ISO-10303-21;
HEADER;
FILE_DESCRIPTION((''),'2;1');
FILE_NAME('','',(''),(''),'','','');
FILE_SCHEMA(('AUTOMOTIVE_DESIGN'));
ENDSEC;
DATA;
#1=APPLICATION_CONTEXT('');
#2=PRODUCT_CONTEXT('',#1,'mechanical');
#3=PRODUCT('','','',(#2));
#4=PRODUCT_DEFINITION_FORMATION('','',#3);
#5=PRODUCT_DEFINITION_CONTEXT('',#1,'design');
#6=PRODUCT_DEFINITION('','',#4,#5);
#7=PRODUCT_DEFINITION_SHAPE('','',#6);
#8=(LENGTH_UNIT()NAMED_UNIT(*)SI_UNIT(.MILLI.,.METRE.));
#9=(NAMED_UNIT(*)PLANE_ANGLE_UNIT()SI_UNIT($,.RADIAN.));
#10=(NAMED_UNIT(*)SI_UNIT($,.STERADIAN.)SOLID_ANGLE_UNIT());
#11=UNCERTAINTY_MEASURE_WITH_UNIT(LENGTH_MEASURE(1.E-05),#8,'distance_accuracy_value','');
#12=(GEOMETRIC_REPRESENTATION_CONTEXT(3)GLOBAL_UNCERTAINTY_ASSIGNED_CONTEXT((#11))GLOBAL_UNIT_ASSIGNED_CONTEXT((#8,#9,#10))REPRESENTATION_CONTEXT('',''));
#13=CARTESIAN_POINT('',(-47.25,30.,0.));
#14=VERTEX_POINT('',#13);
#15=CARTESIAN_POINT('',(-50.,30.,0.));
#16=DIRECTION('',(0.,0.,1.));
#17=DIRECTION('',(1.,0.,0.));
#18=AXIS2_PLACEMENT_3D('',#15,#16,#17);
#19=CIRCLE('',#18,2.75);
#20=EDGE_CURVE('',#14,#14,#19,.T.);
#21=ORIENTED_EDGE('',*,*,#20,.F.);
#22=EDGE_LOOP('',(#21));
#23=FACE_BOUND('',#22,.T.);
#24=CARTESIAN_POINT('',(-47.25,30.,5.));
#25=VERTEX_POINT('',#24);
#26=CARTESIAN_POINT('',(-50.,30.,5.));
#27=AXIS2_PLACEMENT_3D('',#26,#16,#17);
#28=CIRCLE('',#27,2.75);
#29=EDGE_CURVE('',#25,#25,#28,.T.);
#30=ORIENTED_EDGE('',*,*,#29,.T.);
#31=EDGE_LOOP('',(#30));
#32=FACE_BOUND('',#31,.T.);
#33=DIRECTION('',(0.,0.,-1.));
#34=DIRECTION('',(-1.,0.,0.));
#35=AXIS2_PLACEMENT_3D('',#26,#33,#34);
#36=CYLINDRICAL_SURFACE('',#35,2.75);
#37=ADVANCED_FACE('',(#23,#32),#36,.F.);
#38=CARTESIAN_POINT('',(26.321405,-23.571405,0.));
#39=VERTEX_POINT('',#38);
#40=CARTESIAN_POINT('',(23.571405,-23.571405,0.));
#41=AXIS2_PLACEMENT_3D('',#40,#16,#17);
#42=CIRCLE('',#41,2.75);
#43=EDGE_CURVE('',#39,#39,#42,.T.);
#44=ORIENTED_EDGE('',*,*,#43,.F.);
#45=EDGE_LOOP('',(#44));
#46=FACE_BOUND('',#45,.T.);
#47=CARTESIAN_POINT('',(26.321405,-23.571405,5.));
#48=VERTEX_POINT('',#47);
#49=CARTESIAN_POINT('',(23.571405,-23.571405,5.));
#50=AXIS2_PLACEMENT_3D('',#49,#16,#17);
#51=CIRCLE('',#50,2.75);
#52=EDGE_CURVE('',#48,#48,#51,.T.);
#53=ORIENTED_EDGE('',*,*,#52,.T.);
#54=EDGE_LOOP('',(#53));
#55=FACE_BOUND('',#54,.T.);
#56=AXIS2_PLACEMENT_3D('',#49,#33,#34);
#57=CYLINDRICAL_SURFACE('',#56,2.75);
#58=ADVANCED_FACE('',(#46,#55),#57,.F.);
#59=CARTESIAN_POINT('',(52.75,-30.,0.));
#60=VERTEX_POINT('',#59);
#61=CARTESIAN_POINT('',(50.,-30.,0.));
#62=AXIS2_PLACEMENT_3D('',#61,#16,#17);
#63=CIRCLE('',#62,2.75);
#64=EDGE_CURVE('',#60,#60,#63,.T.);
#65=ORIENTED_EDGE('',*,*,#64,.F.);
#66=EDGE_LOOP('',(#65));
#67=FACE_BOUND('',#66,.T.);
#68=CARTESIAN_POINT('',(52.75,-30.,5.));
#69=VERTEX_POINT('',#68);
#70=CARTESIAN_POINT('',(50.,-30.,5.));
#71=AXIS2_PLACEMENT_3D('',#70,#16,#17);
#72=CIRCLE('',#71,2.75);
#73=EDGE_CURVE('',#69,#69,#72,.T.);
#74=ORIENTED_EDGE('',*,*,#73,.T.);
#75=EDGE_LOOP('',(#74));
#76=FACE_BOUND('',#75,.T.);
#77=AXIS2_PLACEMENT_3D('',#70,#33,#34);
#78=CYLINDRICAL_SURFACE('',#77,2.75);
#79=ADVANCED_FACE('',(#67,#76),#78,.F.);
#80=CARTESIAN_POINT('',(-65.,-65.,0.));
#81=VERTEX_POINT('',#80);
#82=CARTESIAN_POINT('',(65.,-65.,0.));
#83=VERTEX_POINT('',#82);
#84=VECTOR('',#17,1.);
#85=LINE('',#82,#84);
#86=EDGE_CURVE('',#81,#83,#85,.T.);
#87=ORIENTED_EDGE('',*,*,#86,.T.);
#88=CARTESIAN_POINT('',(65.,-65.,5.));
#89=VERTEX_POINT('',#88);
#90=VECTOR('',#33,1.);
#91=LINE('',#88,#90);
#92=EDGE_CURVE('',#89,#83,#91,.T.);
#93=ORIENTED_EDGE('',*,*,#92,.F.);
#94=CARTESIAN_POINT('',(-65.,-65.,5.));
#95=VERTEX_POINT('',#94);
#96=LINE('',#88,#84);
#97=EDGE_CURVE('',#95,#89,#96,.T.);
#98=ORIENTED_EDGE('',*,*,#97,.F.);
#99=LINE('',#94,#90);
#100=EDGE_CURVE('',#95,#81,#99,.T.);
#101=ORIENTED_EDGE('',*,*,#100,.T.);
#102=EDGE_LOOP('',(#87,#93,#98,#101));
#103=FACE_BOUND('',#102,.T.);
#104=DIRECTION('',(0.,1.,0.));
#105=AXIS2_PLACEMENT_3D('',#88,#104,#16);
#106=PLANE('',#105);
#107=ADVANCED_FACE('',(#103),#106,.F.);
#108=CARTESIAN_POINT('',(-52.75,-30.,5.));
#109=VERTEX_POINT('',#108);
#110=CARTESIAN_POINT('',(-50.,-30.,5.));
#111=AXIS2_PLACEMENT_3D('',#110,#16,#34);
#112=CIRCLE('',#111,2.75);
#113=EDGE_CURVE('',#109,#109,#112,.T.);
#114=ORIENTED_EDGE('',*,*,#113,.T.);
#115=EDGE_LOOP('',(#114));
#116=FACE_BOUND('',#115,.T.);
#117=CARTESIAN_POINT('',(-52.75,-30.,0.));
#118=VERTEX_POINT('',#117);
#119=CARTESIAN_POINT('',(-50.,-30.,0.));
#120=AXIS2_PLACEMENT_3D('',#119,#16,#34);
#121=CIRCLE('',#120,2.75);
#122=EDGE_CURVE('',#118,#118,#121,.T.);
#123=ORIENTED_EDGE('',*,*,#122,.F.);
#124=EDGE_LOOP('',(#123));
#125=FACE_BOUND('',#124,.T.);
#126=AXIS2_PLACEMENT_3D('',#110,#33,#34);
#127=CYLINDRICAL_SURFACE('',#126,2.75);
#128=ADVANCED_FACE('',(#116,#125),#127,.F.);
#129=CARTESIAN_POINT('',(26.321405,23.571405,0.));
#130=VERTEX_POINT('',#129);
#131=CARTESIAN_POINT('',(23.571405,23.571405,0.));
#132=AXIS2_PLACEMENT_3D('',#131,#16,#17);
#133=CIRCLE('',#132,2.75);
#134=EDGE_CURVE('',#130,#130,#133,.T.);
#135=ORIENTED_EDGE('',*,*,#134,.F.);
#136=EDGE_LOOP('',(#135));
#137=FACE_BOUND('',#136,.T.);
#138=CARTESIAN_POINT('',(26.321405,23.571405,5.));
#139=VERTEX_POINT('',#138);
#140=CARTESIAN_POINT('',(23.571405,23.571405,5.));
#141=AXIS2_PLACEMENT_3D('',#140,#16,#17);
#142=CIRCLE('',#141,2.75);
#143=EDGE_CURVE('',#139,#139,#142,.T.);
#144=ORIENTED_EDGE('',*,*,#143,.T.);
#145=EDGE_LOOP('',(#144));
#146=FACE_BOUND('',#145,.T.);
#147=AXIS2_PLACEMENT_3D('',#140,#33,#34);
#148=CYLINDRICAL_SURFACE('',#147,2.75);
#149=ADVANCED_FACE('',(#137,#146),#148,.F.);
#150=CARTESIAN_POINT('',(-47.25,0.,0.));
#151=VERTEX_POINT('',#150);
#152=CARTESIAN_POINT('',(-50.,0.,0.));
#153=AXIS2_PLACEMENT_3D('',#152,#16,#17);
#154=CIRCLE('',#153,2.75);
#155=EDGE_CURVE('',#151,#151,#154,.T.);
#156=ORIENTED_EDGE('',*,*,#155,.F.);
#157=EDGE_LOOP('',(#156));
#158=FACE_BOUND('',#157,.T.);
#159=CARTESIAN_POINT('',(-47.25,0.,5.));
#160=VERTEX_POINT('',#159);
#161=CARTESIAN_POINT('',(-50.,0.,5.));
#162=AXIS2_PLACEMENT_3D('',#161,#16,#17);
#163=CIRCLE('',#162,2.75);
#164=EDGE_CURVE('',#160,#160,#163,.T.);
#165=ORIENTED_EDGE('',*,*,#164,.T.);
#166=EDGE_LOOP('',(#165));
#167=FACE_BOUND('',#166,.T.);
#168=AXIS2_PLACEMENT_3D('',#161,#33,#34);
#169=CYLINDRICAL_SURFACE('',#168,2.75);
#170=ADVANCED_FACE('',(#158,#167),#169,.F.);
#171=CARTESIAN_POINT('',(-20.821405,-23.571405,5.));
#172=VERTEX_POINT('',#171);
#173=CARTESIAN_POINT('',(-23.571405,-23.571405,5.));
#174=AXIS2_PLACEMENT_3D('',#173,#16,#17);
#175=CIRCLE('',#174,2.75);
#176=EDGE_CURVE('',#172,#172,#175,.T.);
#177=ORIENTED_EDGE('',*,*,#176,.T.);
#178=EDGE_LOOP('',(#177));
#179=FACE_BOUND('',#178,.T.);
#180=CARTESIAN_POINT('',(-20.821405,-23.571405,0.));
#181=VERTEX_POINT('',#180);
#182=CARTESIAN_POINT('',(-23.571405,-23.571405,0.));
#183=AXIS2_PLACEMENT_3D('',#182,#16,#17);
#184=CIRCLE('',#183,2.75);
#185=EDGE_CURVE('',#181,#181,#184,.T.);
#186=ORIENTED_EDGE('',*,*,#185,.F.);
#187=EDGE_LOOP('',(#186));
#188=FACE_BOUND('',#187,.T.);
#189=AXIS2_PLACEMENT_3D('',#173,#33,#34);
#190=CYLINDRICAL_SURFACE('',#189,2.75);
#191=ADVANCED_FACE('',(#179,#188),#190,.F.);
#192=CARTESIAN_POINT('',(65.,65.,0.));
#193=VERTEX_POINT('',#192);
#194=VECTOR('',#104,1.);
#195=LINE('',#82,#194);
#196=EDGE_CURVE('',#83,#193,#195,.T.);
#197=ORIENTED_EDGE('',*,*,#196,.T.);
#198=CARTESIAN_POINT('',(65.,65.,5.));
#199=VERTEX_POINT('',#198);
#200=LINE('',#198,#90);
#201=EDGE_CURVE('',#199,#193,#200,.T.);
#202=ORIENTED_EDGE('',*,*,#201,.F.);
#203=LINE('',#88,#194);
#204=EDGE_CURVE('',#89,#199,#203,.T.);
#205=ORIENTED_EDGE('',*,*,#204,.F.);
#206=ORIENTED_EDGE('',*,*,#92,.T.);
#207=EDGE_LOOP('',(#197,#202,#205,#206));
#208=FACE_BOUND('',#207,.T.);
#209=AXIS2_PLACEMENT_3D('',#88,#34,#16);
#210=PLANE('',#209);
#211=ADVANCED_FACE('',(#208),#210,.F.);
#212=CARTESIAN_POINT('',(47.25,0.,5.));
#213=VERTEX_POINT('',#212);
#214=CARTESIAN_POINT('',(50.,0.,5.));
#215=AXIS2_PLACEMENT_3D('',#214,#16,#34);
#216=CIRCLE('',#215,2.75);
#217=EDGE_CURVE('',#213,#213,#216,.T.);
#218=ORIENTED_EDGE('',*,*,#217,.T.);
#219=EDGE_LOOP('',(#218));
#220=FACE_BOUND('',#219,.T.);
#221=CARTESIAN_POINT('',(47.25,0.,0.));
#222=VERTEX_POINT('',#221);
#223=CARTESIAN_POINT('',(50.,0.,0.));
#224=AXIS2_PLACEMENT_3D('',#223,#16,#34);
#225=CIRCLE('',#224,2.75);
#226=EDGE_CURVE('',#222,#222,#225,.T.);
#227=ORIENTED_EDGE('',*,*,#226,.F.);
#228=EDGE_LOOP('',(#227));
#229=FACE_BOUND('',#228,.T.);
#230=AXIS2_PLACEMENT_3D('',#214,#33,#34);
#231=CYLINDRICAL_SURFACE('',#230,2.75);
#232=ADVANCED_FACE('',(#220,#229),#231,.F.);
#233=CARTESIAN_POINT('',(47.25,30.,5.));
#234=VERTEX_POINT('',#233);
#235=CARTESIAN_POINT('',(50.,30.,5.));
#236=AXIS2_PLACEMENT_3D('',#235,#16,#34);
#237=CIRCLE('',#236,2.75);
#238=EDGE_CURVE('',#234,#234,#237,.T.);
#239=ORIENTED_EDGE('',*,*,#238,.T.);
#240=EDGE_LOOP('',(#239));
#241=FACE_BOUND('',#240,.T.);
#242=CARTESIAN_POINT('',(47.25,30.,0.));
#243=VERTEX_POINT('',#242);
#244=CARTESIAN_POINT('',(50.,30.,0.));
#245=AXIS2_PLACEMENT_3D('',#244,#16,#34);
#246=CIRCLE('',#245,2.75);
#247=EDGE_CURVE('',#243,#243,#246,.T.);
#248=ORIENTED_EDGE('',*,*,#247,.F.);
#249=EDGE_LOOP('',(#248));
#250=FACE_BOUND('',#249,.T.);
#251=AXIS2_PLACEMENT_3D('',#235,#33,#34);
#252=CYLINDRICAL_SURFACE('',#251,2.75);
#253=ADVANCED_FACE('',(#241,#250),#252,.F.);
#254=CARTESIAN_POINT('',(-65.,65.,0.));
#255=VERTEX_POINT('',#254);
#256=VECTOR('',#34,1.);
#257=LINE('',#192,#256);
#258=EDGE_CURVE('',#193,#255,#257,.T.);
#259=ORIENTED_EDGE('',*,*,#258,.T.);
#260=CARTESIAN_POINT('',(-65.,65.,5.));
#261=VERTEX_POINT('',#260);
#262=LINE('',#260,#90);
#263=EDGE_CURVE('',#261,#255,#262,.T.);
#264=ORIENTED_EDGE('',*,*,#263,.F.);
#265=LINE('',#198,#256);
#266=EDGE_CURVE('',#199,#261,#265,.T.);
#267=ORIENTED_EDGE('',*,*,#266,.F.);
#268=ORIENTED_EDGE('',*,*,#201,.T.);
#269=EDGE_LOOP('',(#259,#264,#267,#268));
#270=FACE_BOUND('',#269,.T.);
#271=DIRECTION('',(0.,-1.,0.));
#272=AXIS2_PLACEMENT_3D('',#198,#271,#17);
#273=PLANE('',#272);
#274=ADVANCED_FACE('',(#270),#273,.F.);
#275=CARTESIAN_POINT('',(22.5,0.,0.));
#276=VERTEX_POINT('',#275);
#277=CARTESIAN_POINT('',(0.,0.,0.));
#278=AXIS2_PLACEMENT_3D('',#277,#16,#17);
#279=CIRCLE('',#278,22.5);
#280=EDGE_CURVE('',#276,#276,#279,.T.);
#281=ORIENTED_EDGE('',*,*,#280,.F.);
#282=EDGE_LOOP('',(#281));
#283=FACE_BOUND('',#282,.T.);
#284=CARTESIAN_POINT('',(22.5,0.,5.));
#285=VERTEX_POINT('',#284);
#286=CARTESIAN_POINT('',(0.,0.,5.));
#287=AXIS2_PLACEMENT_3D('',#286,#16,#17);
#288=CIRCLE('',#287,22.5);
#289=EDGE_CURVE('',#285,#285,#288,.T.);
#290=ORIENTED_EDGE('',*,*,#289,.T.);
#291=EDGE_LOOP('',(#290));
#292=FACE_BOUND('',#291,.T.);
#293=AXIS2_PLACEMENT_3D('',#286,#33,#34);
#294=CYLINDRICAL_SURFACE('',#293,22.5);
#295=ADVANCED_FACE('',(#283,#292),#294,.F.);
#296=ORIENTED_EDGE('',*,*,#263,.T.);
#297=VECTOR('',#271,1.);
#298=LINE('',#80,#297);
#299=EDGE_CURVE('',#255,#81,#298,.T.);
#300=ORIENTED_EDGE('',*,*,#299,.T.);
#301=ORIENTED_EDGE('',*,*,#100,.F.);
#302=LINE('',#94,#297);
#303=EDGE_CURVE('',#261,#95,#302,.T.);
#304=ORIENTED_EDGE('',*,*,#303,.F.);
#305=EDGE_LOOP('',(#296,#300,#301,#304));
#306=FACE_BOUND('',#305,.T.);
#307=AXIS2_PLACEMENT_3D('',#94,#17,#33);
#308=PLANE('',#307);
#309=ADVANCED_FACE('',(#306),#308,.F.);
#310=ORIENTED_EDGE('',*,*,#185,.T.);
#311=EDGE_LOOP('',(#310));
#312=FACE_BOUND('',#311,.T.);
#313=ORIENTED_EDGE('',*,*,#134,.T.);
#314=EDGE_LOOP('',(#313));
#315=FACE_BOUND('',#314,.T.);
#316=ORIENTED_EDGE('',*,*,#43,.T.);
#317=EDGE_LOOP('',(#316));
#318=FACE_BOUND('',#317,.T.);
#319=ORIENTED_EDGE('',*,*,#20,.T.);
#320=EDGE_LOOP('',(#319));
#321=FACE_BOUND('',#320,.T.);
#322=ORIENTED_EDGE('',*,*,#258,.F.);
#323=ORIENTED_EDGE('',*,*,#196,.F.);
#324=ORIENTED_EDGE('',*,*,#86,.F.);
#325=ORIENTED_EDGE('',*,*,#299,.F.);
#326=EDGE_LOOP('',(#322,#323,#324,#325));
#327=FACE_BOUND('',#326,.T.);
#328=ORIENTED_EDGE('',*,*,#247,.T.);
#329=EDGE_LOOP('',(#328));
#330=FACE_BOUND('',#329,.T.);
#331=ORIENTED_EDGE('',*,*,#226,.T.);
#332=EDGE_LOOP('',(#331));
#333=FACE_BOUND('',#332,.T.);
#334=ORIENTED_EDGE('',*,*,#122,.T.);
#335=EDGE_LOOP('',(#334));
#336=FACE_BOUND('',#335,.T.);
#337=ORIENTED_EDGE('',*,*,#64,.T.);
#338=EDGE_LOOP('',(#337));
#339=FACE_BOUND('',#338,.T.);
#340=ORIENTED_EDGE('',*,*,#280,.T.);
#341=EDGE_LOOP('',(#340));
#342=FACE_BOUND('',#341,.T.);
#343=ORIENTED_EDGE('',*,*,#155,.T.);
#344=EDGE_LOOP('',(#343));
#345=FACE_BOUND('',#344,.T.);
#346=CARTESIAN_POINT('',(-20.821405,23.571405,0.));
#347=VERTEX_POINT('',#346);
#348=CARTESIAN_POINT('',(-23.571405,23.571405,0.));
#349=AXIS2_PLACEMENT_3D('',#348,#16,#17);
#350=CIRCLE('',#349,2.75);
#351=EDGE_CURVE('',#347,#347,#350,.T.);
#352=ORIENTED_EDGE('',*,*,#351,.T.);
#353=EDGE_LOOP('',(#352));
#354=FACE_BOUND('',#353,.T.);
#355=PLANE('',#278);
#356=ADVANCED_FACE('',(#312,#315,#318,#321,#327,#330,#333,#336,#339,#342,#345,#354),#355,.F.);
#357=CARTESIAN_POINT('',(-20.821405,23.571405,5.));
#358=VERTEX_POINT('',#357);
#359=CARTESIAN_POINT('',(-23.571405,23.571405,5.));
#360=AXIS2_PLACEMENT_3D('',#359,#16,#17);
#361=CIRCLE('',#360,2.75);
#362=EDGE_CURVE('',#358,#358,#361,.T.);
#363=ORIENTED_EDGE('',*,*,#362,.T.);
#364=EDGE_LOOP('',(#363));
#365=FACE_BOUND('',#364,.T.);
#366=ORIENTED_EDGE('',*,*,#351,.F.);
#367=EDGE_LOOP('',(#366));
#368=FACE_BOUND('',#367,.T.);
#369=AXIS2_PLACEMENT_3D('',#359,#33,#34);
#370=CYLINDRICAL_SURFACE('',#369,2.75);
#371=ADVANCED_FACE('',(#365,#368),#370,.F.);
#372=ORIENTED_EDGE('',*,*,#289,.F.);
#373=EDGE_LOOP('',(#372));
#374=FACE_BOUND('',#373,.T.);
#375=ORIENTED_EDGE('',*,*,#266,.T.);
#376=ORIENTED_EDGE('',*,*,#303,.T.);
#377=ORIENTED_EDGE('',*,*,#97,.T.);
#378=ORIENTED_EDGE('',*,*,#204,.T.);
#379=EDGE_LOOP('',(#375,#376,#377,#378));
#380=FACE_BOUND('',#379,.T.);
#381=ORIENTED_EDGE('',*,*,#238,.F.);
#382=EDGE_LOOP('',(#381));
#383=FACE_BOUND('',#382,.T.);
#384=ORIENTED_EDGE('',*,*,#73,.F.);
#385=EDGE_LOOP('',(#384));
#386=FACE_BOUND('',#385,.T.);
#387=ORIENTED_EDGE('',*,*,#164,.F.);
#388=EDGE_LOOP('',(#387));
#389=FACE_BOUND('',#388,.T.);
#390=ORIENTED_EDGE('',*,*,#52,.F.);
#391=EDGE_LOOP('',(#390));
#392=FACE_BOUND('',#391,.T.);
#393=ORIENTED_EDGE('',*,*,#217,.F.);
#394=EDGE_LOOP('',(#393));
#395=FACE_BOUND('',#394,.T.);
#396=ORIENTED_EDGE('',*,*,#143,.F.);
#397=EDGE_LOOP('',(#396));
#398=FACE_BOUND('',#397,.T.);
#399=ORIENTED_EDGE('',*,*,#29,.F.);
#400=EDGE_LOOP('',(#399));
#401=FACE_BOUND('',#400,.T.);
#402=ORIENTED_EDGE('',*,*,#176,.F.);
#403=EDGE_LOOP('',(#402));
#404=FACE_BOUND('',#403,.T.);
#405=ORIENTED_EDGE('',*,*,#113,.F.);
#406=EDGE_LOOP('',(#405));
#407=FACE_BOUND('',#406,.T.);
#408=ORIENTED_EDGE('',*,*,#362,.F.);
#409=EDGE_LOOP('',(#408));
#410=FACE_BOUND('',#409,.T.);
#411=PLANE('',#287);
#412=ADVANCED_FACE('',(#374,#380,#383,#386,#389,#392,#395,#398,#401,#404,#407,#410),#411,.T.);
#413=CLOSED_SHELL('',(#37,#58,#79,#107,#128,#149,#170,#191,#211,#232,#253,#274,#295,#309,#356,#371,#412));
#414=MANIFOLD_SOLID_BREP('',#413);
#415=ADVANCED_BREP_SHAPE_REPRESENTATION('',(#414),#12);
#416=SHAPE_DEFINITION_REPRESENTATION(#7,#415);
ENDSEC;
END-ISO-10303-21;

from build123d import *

# Parameters (mm, degrees)
SKETCH_1_W      = 130
SKETCH_1_H      = 130
SKETCH_1_R      = 22.5
SKETCH_1_R_2    = 2.75
EXTRUDE_1_DEPTH = 5


with BuildPart() as part:
    # 草图1 → 凸台-拉伸1 (new body)
    with BuildSketch(Plane.XY):
        Rectangle(SKETCH_1_W, SKETCH_1_H)
        Circle(SKETCH_1_R, mode=Mode.SUBTRACT)
        with Locations((-23.571404551, 23.571404551)):
            Circle(SKETCH_1_R_2, mode=Mode.SUBTRACT)
        with Locations((23.571404551, 23.571404551)):
            Circle(SKETCH_1_R_2, mode=Mode.SUBTRACT)
        with Locations((23.571404551, -23.571404551)):
            Circle(SKETCH_1_R_2, mode=Mode.SUBTRACT)
        with Locations((-23.571404551, -23.571404551)):
            Circle(SKETCH_1_R_2, mode=Mode.SUBTRACT)
        with Locations((-50, 30)):
            Circle(SKETCH_1_R_2, mode=Mode.SUBTRACT)
        with Locations((-50, 0)):
            Circle(SKETCH_1_R_2, mode=Mode.SUBTRACT)
        with Locations(Location((-50, -30, 0), (0, 0, 180))):
            Circle(SKETCH_1_R_2, mode=Mode.SUBTRACT)
        with Locations((50, -30)):
            Circle(SKETCH_1_R_2, mode=Mode.SUBTRACT)
        with Locations(Location((50, 0, 0), (0, 0, 180))):
            Circle(SKETCH_1_R_2, mode=Mode.SUBTRACT)
        with Locations(Location((50, 30, 0), (0, 0, 180))):
            Circle(SKETCH_1_R_2, mode=Mode.SUBTRACT)
    extrude(amount=EXTRUDE_1_DEPTH)


solid = part.part
